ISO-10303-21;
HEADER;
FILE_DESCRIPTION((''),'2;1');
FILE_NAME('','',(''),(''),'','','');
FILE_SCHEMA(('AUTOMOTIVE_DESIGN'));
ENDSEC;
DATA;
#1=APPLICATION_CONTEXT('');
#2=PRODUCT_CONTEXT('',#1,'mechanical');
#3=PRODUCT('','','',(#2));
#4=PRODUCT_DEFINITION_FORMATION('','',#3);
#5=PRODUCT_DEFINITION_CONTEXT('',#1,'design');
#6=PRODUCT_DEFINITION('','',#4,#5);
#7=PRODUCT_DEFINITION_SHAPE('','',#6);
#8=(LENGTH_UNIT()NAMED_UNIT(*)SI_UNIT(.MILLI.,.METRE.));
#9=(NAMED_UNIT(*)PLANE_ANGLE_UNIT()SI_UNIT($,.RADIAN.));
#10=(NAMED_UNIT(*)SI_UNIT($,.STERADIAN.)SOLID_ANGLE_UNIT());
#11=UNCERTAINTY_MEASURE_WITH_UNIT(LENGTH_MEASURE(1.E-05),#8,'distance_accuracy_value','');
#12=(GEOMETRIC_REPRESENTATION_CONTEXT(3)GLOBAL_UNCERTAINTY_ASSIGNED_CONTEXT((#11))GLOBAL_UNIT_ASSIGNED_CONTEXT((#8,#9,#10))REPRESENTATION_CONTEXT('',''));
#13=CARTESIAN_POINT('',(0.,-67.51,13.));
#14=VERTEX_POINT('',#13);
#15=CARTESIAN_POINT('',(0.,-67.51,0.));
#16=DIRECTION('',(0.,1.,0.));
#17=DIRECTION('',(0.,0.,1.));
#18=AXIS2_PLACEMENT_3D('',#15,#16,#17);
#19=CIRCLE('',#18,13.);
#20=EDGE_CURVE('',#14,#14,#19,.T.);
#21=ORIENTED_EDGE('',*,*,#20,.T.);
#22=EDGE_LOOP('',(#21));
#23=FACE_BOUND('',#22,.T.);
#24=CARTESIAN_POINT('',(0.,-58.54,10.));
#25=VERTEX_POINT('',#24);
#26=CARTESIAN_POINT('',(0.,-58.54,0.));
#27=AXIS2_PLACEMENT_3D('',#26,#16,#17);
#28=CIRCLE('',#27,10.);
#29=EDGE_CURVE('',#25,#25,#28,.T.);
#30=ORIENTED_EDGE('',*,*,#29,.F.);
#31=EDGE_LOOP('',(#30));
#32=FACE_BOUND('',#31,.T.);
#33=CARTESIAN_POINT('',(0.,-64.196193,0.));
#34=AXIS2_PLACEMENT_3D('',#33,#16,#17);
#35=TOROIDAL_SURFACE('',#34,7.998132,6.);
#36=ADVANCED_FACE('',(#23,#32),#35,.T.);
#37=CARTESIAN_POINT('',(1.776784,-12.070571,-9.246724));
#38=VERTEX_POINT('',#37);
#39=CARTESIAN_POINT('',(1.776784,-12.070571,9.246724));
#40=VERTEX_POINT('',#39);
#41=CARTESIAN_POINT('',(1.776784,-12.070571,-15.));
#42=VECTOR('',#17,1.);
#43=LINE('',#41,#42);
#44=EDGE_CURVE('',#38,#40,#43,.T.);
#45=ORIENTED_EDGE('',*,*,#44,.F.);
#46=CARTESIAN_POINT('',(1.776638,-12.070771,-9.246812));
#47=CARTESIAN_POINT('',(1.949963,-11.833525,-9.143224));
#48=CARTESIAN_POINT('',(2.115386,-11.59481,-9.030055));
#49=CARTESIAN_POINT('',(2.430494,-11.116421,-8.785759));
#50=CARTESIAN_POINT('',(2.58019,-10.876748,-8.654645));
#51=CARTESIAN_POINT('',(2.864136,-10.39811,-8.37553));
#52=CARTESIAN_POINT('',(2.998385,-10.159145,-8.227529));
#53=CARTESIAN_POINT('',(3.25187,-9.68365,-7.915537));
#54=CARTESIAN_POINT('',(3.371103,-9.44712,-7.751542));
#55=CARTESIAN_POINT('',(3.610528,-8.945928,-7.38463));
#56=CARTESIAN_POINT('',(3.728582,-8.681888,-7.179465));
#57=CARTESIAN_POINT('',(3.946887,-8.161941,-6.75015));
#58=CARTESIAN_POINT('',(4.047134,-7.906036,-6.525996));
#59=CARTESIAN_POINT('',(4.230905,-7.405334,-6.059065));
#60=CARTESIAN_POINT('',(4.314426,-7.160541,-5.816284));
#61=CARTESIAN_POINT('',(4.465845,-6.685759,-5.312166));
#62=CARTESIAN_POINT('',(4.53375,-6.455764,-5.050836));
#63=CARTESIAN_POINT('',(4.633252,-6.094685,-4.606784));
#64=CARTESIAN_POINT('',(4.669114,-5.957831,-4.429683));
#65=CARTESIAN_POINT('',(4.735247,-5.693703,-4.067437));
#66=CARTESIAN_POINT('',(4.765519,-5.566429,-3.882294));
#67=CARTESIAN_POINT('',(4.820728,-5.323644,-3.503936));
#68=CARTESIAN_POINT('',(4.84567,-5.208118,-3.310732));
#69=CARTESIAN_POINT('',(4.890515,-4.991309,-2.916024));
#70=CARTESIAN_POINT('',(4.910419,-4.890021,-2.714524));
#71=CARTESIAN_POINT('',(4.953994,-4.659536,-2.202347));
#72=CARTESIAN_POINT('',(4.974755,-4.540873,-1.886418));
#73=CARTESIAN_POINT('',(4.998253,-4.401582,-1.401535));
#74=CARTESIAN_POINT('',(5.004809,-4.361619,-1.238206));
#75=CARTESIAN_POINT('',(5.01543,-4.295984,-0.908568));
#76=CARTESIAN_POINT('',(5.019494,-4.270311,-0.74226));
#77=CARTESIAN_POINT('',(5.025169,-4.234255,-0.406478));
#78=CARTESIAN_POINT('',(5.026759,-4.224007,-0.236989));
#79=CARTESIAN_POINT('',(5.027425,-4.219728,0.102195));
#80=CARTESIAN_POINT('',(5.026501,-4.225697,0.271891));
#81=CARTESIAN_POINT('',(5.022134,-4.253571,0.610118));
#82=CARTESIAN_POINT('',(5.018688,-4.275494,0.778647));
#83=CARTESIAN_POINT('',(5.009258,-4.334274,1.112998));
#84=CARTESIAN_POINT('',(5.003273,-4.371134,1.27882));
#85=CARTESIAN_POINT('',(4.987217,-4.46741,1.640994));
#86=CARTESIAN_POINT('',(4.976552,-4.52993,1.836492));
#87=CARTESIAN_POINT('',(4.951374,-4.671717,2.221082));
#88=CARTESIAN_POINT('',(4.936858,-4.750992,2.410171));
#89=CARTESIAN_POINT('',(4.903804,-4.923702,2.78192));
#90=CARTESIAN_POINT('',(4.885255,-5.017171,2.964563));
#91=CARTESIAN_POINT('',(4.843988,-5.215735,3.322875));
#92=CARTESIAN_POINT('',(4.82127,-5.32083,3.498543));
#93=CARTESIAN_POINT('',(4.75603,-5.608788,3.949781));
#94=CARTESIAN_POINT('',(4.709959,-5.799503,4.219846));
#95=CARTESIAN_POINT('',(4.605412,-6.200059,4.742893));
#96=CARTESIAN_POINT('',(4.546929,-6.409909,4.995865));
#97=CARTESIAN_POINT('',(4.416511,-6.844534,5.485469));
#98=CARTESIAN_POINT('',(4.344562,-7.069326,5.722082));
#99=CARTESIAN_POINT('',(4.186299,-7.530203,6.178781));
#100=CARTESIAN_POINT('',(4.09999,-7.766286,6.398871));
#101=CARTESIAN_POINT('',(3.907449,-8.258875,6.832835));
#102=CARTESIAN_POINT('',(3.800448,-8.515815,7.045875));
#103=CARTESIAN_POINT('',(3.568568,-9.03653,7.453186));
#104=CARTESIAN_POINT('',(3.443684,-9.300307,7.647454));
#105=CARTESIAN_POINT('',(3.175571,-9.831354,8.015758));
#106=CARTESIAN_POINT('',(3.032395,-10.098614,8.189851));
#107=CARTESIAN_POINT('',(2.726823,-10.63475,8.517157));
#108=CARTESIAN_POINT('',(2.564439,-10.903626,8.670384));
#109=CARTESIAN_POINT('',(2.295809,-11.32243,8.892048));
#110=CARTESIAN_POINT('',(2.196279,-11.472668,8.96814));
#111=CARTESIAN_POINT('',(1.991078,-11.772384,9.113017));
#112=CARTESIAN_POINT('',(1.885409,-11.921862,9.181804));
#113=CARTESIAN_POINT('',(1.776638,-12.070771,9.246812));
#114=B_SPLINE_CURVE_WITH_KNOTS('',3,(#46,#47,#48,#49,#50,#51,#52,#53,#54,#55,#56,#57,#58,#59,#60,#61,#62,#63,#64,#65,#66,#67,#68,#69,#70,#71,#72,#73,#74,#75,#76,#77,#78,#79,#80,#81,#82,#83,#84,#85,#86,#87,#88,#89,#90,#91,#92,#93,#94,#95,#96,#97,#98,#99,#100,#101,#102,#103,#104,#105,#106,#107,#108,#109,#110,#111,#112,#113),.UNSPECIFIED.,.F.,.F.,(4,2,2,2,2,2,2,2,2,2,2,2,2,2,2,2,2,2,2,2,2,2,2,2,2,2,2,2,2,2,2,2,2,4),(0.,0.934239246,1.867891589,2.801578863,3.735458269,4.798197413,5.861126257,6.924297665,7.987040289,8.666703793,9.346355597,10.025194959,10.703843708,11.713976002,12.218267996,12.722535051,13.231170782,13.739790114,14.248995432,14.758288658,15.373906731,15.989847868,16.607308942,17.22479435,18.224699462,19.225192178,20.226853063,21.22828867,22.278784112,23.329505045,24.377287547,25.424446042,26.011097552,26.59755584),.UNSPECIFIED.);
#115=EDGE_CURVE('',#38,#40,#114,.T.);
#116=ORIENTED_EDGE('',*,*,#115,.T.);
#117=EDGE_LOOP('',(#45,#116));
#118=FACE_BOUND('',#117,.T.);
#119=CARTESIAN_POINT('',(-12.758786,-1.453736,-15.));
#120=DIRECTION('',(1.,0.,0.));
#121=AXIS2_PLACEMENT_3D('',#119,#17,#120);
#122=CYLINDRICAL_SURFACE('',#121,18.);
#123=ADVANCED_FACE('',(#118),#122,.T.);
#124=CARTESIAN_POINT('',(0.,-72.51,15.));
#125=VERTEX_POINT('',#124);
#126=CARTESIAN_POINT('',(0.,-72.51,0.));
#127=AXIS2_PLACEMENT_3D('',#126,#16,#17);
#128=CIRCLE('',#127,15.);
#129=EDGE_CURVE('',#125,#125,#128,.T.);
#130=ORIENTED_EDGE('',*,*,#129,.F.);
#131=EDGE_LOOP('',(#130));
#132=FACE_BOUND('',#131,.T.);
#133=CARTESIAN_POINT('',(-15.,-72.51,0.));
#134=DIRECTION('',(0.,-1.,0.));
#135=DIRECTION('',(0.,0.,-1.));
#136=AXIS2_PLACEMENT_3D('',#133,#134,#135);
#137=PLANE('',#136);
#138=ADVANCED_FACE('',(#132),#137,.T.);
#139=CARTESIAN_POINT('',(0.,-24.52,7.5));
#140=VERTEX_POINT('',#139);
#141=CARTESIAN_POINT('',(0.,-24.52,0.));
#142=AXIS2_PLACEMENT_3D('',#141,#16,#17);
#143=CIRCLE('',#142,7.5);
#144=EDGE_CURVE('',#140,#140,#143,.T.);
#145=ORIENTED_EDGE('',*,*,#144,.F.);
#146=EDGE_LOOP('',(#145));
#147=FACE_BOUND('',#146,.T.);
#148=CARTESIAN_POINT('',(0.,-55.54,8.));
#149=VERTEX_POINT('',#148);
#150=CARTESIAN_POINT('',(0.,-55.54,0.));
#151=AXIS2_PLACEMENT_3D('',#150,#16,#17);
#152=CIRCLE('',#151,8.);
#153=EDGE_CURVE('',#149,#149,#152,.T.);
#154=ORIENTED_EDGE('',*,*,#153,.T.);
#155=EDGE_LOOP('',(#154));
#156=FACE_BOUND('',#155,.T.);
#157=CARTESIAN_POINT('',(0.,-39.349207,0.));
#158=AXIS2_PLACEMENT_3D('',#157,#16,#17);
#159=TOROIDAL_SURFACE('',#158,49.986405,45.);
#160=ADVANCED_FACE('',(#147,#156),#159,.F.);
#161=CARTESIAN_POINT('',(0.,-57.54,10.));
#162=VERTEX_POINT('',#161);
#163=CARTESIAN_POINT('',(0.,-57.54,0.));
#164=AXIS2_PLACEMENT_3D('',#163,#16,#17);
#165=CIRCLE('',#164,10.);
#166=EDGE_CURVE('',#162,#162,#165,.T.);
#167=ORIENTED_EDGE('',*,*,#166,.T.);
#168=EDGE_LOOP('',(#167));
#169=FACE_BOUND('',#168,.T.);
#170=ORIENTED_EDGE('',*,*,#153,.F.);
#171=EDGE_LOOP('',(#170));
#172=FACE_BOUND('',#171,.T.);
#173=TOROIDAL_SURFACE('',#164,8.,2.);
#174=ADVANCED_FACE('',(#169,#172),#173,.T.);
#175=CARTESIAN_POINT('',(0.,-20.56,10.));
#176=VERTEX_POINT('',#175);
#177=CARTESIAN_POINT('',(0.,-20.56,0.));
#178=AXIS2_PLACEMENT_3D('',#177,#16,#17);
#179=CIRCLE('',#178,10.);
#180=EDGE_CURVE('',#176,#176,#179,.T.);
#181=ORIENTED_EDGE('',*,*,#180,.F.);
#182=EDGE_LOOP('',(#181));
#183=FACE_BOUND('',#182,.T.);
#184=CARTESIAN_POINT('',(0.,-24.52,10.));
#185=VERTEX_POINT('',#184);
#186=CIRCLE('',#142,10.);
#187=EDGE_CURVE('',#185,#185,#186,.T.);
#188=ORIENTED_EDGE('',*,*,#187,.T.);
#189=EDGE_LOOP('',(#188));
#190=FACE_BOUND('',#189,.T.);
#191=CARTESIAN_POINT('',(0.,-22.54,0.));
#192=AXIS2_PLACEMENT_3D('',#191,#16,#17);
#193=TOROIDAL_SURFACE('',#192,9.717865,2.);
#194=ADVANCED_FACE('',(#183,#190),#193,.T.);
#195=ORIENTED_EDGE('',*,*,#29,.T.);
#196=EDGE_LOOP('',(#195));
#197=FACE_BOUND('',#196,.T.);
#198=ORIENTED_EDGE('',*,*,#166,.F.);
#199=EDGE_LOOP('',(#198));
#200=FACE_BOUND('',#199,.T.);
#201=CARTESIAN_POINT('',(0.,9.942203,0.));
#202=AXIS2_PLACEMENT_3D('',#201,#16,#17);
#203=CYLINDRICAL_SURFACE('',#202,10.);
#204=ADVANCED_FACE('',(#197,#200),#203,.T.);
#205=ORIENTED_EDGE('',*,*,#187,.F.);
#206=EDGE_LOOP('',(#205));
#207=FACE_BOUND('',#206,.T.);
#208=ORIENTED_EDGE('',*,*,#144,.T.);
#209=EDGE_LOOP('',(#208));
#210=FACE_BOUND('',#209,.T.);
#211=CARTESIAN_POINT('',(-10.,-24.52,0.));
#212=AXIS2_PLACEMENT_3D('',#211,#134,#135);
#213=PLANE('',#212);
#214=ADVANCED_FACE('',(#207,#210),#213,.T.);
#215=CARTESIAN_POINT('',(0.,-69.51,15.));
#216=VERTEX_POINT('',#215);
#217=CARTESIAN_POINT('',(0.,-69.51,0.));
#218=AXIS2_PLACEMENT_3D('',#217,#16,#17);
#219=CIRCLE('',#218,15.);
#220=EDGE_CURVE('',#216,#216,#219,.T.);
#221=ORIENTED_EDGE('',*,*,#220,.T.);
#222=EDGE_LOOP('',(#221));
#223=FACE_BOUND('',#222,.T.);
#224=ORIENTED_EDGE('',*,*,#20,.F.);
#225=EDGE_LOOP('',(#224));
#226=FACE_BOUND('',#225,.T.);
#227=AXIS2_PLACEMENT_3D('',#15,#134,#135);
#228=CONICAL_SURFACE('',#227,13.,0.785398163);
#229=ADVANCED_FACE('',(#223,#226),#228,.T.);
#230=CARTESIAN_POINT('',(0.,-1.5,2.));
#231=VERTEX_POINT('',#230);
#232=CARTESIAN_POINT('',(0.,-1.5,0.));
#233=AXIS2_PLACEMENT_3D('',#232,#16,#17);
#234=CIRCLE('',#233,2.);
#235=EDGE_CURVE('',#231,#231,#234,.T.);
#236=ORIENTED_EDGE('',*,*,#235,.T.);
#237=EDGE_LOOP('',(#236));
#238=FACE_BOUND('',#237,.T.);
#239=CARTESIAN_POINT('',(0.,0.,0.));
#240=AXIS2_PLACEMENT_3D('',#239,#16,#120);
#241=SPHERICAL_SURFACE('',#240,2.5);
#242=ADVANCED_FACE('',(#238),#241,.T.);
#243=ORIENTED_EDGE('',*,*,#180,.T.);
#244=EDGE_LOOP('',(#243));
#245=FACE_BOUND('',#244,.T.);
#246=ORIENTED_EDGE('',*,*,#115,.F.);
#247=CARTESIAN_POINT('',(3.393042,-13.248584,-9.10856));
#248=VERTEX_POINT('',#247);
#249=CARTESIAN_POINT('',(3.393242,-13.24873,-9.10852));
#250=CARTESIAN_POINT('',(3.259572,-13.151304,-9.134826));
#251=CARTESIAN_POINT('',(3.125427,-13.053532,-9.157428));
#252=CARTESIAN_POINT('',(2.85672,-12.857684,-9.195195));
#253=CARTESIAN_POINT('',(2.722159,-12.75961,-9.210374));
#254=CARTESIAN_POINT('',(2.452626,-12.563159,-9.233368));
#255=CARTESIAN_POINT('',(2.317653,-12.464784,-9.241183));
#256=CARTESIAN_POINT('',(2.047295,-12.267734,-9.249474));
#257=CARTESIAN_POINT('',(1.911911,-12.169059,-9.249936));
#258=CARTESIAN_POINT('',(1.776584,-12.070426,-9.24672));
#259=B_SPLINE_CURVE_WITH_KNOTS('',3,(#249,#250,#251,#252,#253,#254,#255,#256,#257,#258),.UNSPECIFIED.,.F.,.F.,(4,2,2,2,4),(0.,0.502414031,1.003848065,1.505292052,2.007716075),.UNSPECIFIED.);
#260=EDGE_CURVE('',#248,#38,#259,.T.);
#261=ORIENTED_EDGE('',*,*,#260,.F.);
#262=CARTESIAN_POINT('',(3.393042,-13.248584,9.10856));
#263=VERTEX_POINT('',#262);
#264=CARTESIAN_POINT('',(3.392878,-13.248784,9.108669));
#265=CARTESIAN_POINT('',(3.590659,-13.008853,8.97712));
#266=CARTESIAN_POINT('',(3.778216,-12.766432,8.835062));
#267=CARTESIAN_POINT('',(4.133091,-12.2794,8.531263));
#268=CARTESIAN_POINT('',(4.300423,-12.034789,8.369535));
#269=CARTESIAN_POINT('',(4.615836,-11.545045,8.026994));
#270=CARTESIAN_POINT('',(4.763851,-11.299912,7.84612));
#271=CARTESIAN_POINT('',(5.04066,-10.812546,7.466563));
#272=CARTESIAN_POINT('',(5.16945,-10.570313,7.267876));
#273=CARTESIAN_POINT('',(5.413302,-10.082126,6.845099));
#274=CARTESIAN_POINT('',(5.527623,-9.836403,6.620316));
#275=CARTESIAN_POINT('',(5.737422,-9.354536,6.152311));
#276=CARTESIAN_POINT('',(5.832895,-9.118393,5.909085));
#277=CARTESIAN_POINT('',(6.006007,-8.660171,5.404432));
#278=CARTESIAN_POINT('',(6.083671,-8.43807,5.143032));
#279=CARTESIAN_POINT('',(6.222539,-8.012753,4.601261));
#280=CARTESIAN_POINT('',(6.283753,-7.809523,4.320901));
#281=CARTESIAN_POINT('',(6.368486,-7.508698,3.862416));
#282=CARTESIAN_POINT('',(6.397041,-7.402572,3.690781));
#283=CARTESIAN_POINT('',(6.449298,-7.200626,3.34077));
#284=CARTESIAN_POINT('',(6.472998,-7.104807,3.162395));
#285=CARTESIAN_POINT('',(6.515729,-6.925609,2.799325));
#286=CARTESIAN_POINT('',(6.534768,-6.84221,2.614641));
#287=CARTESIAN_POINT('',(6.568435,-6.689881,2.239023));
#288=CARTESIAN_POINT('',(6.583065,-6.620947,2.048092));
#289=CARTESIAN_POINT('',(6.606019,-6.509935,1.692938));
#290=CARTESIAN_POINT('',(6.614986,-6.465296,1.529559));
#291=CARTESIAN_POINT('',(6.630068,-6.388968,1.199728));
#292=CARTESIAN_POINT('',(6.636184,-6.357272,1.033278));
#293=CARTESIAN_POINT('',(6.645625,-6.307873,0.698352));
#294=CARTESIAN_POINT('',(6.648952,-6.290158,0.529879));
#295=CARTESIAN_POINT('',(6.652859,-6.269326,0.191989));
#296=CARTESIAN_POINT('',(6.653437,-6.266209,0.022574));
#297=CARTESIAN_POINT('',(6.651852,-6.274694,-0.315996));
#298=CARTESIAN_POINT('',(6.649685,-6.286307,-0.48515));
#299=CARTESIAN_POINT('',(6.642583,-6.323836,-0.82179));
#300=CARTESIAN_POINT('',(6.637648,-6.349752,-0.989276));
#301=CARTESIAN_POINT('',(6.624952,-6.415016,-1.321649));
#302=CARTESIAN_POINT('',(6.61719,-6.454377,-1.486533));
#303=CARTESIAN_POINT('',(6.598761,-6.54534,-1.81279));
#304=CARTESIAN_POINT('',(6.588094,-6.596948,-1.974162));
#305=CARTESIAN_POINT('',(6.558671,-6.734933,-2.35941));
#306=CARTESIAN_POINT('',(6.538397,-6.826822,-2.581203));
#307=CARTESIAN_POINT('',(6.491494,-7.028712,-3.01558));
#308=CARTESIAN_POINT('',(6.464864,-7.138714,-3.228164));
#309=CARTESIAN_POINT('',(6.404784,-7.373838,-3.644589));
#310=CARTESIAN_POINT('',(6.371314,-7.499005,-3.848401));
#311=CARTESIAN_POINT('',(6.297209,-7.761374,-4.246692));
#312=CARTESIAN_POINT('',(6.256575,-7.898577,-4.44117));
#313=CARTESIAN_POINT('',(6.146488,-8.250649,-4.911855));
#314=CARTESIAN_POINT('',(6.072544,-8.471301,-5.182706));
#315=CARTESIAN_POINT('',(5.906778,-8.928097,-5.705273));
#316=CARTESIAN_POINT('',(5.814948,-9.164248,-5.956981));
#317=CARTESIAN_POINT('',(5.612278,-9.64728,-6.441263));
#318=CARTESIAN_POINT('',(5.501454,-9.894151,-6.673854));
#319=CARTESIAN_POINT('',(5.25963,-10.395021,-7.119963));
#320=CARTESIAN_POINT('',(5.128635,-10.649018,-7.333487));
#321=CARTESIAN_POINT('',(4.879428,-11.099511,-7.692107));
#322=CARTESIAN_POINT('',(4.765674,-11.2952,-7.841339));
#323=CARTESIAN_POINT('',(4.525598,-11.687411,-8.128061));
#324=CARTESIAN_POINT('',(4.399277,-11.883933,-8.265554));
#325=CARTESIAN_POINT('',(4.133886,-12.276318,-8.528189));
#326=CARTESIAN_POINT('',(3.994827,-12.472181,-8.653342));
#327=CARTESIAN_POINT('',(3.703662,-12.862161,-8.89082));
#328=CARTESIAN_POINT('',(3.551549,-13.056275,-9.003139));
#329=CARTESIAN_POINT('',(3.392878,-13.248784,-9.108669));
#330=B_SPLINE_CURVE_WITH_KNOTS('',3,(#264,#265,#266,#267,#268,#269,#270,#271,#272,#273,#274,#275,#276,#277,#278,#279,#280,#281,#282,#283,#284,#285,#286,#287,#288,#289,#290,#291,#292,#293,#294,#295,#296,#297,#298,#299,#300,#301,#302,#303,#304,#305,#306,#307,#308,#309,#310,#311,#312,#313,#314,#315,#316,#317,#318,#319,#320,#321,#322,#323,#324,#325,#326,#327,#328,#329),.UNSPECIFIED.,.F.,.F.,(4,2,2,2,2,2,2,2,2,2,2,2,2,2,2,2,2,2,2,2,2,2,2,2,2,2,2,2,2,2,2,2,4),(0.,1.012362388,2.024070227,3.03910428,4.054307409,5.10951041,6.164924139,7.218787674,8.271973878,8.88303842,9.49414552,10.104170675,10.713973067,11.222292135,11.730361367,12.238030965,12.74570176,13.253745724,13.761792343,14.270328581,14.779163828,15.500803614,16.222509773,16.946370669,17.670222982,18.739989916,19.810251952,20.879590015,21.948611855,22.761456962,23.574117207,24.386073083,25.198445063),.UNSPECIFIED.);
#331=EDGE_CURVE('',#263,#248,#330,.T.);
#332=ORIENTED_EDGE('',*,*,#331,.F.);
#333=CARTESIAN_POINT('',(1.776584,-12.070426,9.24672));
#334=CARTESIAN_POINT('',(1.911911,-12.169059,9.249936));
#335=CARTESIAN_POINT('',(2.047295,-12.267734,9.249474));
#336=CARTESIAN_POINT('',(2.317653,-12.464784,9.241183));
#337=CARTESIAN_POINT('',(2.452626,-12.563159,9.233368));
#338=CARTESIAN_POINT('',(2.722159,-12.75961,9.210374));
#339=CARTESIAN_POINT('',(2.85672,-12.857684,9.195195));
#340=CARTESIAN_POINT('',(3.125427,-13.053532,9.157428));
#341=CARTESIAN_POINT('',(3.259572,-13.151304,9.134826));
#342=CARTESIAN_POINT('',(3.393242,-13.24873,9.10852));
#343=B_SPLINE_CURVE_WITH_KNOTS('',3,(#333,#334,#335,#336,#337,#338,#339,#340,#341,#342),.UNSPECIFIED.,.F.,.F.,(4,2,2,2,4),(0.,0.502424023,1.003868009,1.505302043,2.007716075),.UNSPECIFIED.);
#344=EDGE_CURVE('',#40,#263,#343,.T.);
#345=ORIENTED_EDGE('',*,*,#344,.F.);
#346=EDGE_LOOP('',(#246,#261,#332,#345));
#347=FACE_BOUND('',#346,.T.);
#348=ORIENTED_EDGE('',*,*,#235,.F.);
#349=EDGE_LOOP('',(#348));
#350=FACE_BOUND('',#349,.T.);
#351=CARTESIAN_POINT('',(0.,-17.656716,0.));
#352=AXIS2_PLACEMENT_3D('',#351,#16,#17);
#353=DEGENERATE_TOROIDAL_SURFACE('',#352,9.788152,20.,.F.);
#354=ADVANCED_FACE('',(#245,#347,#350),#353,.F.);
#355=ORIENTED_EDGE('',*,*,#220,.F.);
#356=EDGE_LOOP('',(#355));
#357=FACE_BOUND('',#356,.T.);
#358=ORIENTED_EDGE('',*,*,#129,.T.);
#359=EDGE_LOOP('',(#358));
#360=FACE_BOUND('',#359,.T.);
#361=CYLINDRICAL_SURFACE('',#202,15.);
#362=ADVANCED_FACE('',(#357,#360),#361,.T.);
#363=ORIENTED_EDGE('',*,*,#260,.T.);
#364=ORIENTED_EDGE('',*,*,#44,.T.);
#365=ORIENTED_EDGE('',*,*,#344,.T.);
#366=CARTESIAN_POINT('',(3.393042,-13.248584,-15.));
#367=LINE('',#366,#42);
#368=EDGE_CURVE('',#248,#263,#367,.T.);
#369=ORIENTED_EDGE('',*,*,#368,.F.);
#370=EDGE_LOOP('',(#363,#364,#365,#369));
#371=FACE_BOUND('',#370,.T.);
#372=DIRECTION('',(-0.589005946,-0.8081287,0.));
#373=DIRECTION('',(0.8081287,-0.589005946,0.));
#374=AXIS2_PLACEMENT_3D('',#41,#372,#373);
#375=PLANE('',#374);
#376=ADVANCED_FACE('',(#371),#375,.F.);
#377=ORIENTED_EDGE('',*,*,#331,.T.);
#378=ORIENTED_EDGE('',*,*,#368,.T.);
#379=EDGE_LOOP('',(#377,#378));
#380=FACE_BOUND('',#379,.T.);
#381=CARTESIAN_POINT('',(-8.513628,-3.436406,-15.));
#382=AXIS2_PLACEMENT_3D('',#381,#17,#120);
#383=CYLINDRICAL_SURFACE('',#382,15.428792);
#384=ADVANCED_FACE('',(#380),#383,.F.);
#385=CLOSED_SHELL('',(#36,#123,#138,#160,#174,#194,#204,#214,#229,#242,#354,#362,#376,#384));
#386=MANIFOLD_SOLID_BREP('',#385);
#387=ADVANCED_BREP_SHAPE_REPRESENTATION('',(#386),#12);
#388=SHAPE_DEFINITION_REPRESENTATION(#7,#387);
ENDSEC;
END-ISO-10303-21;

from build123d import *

# Parameters (mm, degrees)
KES_EKSTR_ZYON1_DEPTH      = 76.5493223
KES_EKSTR_ZYON1_DEPTH_BACK = 76.5493223


with BuildPart() as part:
    # Çizim1 → Döndür4 (revolve)
    with BuildSketch(Plane.XY, mode=Mode.PRIVATE) as d_nd_r4_sk:
        with BuildLine():
            Line((-15, -72.51), (0, -72.51))
            Line((0, -72.51), (0, 2.5))
            ThreePointArc((0, 2.5), (-2.236067977, 1.118033989), (-2, -1.5))
            ThreePointArc((-2, -1.5), (-8.653286276, -9.916343641), (-10, -20.56))
            ThreePointArc((-10, -20.56), (-11.71786528, -22.54), (-10, -24.52))
            Line((-10, -24.52), (-7.5, -24.52))
            ThreePointArc((-7.5, -24.52), (-4.992249752, -40.074451165), (-8, -55.54))
            ThreePointArc((-8, -55.54), (-9.414213562, -56.125786438), (-10, -57.54))
            Line((-10, -57.54), (-10, -58.54))
            ThreePointArc((-10, -58.54), (-13.688325627, -62.293118519), (-13, -67.51))
            Line((-13, -67.51), (-15, -69.51))
            Line((-15, -69.51), (-15, -72.51))
        make_face()
    revolve(d_nd_r4_sk.sketch.rotate(Axis((0, 9.942203098, 0), (0, -1, 0)), 270), axis=Axis((0, 9.942203098, 0), (0, -1, 0)))

    # Çizim2 → Kes-Ekstrüzyon1 (cut, two sides: drawn at the far end of the back side and taken through both)
    with BuildSketch(Plane.XY.offset(-KES_EKSTR_ZYON1_DEPTH_BACK)):
        with BuildLine():
            Line((1.7767843, -12.070571406), (3.393042446, -13.248583842))
            ThreePointArc((3.393042446, -13.248583842), (5.4656679, -9.965335521), (6.652988107, -6.268611764))
            ThreePointArc((6.652988107, -6.268611764), (5.873557548, -5.218434009), (5.027158096, -4.221441894))
            ThreePointArc((5.027158096, -4.221441894), (3.871676467, -8.34051455), (1.7767843, -12.070571406))
        make_face()
    extrude(amount=KES_EKSTR_ZYON1_DEPTH + KES_EKSTR_ZYON1_DEPTH_BACK, mode=Mode.SUBTRACT)


solid = part.part
